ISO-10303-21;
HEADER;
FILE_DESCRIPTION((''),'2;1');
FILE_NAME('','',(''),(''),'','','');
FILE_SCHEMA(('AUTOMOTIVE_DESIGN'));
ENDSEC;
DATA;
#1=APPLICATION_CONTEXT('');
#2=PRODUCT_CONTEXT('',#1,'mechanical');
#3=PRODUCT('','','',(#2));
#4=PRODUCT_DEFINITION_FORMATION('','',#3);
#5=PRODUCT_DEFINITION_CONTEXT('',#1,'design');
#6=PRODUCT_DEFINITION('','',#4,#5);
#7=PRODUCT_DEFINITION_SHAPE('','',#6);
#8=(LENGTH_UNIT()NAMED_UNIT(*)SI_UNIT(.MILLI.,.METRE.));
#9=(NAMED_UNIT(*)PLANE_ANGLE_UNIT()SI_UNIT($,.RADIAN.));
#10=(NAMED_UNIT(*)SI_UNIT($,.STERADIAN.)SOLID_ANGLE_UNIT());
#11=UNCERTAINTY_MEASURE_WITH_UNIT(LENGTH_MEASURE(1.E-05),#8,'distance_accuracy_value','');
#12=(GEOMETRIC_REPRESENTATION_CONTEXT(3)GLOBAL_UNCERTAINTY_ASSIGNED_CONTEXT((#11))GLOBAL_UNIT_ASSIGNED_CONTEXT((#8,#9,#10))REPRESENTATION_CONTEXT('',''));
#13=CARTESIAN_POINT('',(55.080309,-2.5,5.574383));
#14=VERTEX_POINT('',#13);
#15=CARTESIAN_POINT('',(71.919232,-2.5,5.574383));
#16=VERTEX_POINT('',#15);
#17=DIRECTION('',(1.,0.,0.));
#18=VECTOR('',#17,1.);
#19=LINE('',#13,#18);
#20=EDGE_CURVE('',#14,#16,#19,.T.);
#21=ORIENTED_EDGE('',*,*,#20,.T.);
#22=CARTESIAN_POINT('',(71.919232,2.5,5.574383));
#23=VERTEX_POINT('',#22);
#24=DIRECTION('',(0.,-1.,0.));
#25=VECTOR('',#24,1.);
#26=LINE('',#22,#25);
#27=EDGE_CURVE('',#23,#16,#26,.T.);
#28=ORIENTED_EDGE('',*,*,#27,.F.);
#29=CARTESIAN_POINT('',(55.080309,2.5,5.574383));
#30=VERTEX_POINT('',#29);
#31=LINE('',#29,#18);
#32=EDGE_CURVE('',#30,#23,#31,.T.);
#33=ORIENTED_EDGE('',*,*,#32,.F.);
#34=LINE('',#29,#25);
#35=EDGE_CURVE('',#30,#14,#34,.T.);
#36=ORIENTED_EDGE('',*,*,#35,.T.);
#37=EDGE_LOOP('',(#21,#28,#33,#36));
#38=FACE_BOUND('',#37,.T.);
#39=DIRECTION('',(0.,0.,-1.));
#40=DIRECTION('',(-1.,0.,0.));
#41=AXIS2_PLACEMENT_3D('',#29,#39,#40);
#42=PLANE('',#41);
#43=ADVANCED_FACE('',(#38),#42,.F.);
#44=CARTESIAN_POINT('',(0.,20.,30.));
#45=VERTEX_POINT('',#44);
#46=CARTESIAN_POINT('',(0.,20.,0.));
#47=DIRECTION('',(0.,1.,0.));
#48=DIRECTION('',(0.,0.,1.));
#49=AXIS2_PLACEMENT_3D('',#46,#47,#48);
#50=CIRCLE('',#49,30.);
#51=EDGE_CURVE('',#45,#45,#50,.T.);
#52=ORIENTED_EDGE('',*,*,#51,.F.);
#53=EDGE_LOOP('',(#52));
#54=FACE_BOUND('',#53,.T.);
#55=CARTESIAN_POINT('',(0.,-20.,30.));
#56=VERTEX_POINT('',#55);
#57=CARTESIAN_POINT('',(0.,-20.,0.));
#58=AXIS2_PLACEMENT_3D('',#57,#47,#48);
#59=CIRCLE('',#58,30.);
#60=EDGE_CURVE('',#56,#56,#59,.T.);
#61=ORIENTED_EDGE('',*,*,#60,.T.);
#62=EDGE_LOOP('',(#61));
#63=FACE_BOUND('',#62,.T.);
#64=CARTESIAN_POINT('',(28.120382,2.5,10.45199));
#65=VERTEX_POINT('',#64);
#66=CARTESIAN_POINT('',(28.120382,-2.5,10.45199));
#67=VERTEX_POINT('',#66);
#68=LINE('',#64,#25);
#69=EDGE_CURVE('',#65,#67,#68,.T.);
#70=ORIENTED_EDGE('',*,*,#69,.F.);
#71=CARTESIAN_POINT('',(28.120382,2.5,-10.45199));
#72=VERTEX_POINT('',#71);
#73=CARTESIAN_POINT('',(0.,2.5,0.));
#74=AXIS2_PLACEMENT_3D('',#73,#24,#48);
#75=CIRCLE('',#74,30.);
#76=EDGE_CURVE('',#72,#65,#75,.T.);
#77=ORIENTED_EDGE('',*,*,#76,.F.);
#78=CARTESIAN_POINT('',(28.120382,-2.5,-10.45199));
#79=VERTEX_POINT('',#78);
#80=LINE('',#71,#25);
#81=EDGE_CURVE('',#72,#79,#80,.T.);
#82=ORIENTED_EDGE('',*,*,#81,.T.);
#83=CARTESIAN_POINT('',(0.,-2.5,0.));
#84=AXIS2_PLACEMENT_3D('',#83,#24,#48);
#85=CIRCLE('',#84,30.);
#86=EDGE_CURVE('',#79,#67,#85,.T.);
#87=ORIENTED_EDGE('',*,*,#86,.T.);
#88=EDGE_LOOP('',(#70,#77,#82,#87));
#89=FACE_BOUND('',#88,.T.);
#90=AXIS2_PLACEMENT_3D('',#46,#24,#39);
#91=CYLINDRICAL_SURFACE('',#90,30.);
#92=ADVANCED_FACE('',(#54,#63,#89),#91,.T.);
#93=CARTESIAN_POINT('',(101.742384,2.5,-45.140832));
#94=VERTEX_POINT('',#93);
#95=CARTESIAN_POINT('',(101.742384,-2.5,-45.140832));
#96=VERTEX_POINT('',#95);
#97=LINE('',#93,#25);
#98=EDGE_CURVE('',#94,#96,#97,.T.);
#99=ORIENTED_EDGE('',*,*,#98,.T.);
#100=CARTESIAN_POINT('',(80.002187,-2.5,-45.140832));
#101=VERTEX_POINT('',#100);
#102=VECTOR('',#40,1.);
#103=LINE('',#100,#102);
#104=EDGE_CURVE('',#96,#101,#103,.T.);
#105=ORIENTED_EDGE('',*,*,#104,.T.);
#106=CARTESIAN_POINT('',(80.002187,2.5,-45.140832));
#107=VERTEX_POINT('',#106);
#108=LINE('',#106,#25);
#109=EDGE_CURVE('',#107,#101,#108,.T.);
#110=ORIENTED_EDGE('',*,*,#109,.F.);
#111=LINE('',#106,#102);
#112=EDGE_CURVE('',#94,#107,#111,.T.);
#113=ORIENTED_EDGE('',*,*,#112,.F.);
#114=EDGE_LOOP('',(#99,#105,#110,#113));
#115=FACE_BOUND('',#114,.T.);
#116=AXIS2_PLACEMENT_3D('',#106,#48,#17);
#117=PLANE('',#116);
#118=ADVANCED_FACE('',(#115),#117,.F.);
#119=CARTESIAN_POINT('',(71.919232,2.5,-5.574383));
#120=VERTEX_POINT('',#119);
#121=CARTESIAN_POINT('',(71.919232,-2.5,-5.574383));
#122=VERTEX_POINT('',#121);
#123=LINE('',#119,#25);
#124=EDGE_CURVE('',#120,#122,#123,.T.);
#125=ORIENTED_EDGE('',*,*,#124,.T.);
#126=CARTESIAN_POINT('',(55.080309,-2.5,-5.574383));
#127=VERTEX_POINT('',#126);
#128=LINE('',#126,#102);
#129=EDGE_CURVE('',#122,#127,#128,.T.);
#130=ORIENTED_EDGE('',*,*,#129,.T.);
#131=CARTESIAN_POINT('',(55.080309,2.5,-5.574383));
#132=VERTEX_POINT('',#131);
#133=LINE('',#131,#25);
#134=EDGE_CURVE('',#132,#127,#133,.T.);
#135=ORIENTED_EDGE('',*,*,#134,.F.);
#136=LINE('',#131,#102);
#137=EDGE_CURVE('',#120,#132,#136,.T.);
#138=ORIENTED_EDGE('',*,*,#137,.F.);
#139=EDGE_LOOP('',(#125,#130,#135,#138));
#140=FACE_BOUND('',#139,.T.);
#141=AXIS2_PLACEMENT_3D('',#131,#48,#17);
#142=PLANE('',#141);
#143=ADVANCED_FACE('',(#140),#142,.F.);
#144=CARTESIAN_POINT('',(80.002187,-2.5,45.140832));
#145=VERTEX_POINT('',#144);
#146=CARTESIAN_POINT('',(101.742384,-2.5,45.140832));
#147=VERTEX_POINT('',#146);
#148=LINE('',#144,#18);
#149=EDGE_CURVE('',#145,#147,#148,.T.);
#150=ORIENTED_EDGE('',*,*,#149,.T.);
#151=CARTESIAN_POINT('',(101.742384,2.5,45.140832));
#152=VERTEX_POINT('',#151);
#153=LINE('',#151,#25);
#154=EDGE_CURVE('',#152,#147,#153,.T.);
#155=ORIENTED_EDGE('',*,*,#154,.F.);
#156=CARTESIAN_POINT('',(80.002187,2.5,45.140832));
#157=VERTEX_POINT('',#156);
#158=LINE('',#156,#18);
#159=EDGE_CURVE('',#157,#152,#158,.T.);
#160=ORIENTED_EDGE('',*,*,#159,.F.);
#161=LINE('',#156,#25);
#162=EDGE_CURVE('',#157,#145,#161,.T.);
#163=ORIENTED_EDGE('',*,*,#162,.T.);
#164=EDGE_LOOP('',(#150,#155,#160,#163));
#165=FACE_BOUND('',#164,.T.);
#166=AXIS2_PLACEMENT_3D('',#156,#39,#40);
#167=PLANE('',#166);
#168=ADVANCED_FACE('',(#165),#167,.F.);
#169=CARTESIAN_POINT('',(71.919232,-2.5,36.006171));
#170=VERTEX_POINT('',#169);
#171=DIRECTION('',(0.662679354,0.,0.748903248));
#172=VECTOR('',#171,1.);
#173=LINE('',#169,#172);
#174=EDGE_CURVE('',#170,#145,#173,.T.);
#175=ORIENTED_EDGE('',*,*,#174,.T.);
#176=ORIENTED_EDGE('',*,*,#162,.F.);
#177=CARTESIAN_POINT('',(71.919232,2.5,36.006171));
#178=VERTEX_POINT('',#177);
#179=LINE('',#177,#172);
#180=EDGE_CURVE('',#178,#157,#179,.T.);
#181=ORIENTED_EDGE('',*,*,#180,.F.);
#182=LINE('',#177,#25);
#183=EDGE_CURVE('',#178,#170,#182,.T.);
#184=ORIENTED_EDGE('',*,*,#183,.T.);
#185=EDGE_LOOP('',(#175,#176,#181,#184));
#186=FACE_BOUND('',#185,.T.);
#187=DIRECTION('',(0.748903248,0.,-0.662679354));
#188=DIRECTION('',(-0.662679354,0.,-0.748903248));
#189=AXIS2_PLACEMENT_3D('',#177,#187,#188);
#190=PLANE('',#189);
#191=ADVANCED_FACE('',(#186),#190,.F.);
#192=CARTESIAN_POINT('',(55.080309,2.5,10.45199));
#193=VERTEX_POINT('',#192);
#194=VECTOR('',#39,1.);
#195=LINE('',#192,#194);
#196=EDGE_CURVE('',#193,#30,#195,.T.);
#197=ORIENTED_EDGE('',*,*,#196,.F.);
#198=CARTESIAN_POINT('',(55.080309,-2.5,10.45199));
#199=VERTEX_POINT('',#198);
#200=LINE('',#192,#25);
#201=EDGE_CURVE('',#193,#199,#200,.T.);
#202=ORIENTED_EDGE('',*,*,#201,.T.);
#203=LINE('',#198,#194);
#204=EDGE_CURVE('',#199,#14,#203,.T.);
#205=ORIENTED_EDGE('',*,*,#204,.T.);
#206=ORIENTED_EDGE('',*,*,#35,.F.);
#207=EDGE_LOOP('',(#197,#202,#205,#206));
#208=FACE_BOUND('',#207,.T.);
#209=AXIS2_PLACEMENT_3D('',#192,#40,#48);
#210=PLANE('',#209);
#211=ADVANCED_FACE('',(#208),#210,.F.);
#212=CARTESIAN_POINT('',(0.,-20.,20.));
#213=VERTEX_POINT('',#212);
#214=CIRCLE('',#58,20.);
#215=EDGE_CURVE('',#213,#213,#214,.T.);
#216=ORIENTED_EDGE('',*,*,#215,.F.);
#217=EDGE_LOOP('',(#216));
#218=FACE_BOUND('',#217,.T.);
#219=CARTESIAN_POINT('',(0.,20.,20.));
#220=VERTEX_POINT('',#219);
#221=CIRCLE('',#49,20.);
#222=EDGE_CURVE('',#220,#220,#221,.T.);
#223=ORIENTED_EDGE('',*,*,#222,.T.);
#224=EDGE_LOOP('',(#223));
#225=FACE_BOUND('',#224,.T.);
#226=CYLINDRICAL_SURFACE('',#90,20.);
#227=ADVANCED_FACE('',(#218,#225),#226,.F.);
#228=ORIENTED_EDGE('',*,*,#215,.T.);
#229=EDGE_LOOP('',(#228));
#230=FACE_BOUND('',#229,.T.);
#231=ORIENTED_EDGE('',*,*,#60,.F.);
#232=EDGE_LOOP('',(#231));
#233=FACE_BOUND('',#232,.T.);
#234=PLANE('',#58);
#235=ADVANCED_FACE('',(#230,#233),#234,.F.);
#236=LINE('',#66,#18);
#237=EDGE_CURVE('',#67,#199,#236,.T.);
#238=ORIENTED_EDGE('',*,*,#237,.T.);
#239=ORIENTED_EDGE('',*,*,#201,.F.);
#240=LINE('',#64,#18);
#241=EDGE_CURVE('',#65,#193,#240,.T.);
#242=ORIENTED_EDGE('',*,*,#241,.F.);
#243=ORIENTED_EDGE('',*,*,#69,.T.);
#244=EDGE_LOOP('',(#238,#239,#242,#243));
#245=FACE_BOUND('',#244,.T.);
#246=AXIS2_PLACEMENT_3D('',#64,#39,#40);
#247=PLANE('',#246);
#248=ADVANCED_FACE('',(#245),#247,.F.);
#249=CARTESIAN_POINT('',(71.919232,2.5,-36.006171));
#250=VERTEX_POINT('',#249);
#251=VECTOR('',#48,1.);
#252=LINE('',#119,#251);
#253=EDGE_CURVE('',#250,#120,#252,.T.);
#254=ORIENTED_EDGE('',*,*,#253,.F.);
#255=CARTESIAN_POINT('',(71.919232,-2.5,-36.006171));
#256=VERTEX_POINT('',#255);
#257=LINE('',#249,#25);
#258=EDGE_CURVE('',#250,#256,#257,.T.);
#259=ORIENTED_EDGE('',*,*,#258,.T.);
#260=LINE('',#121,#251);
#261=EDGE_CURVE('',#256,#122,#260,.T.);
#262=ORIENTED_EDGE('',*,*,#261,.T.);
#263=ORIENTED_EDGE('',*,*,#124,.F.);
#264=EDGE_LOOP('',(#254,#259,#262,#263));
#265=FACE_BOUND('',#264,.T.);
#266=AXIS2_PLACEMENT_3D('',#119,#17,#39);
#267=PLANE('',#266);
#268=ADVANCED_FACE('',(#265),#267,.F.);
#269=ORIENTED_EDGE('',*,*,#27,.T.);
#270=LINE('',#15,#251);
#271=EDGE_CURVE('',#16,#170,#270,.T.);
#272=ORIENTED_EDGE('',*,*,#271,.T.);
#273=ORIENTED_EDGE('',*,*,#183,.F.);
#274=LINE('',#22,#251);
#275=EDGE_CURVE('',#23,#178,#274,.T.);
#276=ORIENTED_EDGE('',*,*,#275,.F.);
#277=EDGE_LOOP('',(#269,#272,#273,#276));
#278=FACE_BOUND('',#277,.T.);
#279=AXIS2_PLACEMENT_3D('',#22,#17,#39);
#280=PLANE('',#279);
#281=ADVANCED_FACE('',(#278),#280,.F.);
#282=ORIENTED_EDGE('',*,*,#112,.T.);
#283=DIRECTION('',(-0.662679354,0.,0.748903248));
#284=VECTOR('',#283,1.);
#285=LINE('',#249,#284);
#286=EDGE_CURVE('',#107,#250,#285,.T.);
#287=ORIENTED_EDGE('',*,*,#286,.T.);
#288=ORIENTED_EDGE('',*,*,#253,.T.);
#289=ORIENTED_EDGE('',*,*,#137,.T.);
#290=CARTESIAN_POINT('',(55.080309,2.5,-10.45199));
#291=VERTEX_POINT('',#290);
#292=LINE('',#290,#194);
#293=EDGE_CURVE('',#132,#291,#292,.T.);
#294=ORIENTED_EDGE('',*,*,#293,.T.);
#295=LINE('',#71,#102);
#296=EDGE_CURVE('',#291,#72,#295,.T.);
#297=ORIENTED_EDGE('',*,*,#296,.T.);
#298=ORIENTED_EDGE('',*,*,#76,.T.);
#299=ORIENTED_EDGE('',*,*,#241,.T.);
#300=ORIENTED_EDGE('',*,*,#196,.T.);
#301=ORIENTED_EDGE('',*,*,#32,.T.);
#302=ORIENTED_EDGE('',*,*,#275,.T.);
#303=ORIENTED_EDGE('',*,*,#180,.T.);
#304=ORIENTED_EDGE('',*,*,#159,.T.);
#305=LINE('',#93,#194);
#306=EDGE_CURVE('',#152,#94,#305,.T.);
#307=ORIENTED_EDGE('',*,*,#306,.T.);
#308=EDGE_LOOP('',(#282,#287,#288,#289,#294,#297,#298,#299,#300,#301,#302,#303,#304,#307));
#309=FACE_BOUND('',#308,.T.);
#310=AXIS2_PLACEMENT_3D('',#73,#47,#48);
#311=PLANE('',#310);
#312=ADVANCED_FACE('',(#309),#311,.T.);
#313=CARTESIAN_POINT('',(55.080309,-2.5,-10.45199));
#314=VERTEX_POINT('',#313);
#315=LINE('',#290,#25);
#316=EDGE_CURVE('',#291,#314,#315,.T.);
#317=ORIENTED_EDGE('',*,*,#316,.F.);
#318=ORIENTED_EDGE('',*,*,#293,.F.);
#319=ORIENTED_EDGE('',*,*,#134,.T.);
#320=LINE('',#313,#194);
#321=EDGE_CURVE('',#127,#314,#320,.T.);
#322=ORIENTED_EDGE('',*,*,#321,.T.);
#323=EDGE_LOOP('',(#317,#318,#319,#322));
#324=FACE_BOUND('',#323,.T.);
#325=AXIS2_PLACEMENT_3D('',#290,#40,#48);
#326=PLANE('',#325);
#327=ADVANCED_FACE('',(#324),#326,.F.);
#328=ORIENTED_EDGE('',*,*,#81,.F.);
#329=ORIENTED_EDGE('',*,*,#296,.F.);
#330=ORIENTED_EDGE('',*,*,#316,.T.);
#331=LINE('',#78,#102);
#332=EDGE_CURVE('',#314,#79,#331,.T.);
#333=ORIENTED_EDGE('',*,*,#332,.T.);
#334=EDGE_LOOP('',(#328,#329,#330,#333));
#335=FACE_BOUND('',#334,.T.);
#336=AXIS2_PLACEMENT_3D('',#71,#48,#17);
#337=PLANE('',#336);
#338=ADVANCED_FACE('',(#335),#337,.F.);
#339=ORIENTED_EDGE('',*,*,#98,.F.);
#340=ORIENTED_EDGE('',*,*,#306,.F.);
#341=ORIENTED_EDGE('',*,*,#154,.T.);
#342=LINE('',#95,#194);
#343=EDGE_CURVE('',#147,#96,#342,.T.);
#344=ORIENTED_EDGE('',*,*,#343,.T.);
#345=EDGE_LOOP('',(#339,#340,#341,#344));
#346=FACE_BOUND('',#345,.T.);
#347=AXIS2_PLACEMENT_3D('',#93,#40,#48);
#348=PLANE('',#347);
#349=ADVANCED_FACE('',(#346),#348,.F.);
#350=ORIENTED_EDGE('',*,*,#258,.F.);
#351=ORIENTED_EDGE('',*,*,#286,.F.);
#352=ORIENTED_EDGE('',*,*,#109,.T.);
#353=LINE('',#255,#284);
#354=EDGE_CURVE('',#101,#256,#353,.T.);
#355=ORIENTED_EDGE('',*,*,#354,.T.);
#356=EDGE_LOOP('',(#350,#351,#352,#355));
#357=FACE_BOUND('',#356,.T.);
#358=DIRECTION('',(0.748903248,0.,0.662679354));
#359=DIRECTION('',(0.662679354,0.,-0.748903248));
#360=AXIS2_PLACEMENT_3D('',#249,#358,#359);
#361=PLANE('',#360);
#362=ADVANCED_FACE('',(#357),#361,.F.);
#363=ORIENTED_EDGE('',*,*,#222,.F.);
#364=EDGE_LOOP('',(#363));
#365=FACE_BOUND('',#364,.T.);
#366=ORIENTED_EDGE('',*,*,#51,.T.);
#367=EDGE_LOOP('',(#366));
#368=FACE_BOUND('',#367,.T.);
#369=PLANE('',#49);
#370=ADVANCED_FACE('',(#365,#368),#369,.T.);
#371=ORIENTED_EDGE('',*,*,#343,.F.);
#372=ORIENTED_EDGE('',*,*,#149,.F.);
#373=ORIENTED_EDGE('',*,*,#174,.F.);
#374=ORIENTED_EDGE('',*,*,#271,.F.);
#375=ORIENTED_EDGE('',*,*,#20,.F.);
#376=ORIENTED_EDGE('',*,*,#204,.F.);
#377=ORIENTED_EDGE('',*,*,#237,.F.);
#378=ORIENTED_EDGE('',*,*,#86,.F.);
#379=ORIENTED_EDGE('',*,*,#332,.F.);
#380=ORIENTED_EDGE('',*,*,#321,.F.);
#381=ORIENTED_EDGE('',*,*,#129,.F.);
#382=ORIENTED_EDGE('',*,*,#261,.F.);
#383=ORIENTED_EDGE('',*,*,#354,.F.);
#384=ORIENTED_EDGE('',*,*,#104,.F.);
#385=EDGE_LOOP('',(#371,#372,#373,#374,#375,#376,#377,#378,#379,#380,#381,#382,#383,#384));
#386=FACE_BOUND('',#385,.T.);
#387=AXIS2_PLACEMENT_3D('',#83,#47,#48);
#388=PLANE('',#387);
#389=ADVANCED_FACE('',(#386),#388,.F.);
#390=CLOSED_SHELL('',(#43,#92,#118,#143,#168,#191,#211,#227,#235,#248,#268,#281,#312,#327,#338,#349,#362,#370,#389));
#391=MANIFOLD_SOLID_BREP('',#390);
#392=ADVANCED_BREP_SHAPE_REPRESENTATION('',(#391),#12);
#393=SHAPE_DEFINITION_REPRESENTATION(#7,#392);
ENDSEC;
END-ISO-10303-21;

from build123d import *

# Parameters (mm, degrees)
SKETCH1_R           = 30
SKETCH1_R_2         = 20
BOSS_EXTRUDE1_DEPTH = 20
BOSS_EXTRUDE2_DEPTH = 2.5


with BuildPart() as part:
    # Sketch1 → Boss-Extrude1 (new, symmetric)
    with BuildSketch(Plane(origin=(0, 0, 0), x_dir=(1, 0, 0), z_dir=(0, 1, 0))):
        with Locations(Location((0, 0, 0), (0, 0, 270))):
            Circle(SKETCH1_R)
        with Locations(Location((0, 0, 0), (0, 0, 270))):
            Circle(SKETCH1_R_2, mode=Mode.SUBTRACT)
    extrude(amount=BOSS_EXTRUDE1_DEPTH, both=True)

    # Sketch2 → Boss-Extrude2 (add, symmetric)
    with BuildSketch(Plane(origin=(0, 0, 0), x_dir=(1, 0, 0), z_dir=(0, 1, 0))):
        with BuildLine():
            Line((28.120382297, 10.451990215), (55.080308758, 10.451990215))
            Line((55.080308758, 10.451990215), (55.080308758, 5.574382734))
            Line((55.080308758, 5.574382734), (71.919231742, 5.574382734))
            Line((71.919231742, 5.574382734), (71.919231742, 36.006171261))
            Line((71.919231742, 36.006171261), (80.002186763, 45.140832286))
            Line((80.002186763, 45.140832286), (101.742384499, 45.140832286))
            Line((101.742384499, 45.140832286), (101.742384499, -45.140832286))
            Line((101.742384499, -45.140832286), (80.002186763, -45.140832286))
            Line((80.002186763, -45.140832286), (71.919231742, -36.006171261))
            Line((71.919231742, -36.006171261), (71.919231742, -5.574382734))
            Line((71.919231742, -5.574382734), (55.080308758, -5.574382734))
            Line((55.080308758, -5.574382734), (55.080308758, -10.451990215))
            Line((55.080308758, -10.451990215), (28.120382297, -10.451990215))
            ThreePointArc((28.120382297, -10.451990215), (30, 0), (28.120382297, 10.451990215))
        make_face()
    extrude(amount=BOSS_EXTRUDE2_DEPTH, both=True)


solid = part.part
